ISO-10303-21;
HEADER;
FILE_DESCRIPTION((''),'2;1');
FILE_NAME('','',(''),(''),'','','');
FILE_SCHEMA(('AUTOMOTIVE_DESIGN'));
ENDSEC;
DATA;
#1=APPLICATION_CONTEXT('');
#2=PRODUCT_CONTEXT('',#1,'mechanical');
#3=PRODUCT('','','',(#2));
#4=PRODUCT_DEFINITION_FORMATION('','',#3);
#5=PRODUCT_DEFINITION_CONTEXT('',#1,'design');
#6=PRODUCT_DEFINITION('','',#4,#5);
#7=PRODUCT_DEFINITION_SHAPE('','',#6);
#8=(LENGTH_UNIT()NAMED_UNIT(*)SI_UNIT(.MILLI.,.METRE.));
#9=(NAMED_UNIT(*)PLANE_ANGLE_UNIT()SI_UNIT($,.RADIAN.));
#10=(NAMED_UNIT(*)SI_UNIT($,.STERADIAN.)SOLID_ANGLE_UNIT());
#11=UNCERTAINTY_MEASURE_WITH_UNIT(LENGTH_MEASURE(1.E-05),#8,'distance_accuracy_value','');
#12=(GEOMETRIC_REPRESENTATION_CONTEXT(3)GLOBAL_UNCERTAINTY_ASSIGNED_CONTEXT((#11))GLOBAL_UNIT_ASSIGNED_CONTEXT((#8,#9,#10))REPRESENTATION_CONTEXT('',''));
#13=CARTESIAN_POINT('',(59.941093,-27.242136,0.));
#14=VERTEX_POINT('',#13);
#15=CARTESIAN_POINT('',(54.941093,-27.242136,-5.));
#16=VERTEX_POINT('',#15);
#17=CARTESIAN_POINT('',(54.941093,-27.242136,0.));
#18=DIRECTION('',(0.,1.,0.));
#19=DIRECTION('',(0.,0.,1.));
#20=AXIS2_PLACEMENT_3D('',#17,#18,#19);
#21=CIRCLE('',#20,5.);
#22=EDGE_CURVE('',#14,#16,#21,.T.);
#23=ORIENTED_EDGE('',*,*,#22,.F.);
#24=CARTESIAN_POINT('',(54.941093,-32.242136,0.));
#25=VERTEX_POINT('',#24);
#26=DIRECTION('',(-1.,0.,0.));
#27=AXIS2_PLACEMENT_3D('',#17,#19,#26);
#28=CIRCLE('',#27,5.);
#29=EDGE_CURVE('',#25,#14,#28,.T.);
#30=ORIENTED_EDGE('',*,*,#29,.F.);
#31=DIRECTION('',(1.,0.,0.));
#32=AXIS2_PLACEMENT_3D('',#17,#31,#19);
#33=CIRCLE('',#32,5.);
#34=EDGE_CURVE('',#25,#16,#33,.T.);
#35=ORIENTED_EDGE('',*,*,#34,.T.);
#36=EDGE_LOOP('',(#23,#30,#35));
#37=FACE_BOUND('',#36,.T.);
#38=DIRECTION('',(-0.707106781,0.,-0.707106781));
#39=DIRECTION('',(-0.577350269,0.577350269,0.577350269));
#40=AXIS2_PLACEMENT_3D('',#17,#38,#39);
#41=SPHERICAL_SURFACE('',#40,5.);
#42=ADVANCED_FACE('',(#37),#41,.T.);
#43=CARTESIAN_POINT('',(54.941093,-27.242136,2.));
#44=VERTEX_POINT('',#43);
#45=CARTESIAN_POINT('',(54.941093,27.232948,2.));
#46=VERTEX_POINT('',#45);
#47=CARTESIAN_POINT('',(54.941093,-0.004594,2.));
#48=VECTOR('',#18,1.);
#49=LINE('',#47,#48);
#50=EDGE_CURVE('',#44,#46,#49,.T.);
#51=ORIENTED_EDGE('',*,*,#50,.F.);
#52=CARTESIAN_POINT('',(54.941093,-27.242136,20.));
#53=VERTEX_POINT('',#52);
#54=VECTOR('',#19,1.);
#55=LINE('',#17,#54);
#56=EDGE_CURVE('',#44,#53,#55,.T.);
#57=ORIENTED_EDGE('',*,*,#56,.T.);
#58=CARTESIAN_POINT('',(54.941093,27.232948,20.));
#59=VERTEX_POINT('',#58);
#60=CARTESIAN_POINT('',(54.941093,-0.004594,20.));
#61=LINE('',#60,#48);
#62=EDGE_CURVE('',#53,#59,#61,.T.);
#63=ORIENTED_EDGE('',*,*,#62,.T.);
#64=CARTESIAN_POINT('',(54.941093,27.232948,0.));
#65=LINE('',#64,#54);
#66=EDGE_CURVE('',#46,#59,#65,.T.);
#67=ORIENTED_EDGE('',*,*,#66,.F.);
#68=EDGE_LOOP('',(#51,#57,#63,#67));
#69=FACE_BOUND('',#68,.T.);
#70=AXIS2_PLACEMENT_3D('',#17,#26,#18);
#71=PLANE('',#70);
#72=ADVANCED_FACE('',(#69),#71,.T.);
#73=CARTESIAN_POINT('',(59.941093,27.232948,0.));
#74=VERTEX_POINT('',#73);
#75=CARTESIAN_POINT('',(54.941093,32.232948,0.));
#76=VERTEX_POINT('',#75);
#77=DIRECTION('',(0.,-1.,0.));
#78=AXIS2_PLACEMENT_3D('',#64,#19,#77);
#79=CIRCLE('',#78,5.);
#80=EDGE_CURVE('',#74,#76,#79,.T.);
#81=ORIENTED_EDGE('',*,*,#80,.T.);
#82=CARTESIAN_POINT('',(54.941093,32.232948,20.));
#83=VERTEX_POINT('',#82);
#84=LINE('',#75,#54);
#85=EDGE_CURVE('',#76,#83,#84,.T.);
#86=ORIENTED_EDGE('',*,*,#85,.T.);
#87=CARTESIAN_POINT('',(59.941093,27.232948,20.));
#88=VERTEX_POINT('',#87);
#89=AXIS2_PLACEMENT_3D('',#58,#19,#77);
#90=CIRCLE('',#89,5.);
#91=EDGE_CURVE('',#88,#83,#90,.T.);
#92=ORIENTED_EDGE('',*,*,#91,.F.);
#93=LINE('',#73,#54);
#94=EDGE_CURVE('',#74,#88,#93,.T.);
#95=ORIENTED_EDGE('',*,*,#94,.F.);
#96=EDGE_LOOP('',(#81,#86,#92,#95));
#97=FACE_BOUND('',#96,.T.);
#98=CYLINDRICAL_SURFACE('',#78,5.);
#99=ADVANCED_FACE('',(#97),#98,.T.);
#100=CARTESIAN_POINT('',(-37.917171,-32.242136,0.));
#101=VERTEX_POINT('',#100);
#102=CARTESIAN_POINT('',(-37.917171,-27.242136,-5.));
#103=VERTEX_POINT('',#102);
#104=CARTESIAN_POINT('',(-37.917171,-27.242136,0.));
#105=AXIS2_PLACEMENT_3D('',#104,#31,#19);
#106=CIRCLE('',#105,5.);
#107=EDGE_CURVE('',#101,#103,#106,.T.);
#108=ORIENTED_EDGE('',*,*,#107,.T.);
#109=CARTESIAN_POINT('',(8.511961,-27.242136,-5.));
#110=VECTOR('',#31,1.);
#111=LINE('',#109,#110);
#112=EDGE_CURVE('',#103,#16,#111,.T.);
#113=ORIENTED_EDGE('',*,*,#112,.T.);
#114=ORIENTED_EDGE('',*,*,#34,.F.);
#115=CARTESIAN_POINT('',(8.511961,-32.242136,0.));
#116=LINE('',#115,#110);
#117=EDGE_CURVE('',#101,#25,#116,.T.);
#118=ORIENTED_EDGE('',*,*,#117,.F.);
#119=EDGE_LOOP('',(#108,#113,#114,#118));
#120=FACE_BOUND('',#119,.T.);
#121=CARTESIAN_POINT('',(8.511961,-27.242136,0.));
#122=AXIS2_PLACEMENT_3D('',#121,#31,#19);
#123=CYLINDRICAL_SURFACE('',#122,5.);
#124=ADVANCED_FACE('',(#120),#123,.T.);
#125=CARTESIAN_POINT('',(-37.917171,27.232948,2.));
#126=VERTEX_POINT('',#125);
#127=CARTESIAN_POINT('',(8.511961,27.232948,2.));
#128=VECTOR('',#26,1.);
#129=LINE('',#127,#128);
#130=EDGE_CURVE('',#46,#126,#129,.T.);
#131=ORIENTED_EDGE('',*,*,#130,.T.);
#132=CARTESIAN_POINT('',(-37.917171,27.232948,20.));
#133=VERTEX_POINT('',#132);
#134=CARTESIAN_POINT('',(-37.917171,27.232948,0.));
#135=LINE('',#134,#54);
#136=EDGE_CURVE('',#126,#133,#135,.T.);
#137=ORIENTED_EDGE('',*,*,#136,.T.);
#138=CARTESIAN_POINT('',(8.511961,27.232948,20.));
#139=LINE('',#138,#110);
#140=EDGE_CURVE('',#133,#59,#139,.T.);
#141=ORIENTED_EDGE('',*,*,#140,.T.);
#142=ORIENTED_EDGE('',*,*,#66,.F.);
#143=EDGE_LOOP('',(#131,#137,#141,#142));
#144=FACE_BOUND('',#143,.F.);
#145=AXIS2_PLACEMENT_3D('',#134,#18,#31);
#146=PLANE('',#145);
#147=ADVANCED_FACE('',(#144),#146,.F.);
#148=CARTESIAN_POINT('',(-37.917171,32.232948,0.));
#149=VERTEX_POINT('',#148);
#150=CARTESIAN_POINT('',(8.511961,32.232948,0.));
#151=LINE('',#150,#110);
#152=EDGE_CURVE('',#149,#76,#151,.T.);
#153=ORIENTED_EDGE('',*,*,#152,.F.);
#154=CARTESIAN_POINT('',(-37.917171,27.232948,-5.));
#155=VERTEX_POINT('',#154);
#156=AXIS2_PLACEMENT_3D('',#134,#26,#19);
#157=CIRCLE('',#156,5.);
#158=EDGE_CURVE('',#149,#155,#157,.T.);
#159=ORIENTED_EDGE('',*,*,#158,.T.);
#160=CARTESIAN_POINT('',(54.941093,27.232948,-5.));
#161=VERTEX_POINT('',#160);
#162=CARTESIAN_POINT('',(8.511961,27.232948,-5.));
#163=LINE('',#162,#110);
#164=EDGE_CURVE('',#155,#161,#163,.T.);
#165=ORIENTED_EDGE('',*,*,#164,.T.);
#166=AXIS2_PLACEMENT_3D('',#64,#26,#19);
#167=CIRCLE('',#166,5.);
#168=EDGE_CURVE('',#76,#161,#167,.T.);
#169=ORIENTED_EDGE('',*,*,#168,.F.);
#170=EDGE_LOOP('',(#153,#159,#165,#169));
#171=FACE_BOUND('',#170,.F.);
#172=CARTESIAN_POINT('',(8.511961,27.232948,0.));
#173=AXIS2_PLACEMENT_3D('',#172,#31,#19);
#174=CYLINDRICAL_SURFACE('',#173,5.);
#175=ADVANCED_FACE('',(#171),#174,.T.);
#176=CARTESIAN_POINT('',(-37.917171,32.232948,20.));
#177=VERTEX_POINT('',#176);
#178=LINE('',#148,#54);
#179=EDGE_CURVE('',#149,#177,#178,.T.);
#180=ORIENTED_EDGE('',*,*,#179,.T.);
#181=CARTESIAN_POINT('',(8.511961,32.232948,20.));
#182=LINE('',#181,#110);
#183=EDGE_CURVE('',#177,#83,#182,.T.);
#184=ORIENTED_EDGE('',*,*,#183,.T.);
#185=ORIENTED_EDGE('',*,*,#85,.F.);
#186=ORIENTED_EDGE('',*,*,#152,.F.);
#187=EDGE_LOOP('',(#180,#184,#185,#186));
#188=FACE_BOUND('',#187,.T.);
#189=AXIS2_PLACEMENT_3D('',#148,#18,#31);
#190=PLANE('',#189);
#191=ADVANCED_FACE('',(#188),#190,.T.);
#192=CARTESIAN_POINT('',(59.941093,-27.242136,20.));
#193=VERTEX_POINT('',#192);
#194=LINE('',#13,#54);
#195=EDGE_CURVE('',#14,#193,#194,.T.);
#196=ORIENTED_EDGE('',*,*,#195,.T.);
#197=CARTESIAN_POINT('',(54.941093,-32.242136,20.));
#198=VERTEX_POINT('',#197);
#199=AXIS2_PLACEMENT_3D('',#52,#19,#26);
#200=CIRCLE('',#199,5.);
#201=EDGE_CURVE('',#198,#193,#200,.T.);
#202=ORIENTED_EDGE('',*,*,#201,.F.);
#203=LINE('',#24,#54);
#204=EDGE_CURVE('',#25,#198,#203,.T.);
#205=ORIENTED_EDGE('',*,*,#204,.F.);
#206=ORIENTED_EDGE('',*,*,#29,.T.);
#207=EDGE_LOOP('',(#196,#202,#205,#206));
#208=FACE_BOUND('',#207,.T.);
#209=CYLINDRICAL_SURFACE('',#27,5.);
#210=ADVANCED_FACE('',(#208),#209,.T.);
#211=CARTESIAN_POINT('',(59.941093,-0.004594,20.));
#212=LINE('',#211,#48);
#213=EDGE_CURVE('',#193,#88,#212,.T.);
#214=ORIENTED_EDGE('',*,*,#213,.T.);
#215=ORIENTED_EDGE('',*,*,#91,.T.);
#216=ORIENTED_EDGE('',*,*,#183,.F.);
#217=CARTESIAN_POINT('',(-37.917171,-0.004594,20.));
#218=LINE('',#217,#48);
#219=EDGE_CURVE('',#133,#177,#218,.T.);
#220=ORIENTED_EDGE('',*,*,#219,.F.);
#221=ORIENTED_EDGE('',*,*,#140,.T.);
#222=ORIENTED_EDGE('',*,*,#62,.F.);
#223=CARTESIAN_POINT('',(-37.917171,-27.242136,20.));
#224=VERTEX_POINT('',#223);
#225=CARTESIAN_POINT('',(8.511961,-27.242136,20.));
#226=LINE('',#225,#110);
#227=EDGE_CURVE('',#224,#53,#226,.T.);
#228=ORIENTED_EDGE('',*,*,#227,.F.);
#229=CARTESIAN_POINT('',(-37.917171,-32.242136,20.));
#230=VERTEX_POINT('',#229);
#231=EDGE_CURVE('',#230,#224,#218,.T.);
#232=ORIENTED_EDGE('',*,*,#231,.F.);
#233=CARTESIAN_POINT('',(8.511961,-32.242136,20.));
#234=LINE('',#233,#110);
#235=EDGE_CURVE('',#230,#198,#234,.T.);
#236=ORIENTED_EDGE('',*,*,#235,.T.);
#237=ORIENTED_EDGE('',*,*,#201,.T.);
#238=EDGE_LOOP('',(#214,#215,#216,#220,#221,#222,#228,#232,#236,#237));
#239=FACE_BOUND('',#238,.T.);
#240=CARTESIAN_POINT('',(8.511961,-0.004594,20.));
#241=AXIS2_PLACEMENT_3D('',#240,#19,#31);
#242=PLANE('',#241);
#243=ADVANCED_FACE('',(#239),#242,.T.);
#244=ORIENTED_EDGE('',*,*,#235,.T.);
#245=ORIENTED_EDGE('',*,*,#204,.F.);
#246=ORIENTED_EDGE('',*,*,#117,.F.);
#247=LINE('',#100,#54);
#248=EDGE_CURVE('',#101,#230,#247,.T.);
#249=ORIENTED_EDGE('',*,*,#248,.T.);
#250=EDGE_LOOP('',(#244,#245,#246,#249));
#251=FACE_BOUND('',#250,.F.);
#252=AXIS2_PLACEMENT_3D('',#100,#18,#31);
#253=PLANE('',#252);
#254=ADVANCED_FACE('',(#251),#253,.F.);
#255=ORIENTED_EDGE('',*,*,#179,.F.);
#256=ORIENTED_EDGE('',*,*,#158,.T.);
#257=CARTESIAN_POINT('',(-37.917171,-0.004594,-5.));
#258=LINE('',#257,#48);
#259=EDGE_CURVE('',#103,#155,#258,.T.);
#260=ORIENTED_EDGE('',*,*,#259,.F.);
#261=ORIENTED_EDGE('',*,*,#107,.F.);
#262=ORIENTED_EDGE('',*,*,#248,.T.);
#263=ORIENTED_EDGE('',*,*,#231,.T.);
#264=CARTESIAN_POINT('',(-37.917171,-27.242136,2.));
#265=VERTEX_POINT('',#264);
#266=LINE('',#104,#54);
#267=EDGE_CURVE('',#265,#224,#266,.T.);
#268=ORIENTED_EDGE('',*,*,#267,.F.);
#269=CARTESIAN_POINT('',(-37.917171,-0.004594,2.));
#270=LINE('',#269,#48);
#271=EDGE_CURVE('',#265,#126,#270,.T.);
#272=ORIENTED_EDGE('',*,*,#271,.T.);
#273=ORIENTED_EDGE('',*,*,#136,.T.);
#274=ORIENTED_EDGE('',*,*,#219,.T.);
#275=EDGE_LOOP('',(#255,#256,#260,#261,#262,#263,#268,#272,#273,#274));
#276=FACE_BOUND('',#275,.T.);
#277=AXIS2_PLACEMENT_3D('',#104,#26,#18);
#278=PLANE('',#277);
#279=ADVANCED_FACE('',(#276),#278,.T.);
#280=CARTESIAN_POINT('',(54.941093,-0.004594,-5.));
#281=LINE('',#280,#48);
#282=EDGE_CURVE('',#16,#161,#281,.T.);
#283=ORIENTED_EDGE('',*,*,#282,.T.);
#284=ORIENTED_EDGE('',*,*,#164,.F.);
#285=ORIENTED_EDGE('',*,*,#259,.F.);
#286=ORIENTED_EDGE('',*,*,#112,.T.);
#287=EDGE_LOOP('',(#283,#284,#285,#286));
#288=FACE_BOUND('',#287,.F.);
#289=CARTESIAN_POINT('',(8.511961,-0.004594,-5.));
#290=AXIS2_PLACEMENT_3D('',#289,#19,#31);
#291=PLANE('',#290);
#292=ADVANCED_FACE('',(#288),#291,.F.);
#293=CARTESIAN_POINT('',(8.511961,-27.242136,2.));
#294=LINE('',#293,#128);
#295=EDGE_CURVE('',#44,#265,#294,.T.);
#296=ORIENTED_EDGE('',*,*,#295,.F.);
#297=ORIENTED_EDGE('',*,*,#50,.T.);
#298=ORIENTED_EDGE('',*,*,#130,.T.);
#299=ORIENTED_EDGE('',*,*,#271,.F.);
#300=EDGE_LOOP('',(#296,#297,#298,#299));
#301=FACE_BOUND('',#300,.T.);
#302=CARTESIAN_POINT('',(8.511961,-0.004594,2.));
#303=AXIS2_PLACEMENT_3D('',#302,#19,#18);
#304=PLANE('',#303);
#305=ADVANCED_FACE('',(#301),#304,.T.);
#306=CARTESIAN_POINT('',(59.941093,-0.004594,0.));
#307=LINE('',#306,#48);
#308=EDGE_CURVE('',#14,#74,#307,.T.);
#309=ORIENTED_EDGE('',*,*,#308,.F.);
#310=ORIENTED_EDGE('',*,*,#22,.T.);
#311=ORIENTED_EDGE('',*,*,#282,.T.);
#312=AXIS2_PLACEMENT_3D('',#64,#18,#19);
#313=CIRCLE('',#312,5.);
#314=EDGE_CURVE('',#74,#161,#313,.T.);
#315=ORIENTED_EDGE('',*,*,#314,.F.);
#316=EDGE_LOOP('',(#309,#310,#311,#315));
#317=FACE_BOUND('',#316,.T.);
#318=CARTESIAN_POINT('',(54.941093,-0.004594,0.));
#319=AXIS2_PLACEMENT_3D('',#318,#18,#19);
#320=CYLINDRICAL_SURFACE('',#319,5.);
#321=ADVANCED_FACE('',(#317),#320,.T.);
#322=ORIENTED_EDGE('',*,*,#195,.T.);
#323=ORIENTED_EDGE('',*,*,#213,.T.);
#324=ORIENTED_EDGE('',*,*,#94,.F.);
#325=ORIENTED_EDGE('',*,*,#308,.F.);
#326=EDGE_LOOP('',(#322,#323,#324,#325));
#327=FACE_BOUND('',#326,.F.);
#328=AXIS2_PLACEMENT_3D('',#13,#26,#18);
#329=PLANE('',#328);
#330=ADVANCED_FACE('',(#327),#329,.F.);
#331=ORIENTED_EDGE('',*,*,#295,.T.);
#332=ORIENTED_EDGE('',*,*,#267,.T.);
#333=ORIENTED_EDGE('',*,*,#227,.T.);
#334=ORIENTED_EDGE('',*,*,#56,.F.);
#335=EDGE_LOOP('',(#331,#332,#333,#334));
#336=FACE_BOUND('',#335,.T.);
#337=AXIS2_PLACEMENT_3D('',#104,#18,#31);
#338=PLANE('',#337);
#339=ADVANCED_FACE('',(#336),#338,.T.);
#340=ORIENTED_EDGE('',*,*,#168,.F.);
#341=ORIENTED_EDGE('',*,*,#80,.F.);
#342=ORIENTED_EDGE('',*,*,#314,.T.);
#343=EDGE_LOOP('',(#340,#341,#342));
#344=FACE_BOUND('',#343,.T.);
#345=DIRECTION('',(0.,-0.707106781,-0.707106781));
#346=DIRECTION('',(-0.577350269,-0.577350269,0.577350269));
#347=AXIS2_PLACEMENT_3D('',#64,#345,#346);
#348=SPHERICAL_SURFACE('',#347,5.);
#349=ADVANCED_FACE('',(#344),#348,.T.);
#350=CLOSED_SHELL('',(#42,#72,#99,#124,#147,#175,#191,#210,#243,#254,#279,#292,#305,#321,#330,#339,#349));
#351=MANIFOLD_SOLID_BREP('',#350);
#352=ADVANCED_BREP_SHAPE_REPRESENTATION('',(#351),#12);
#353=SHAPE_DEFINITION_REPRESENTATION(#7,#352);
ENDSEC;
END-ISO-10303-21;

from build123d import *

# Parameters (mm, degrees)
SKETCH_W          = 92.858264
SKETCH_H          = 54.475084
PAD_DEPTH         = 20
THICKNESS_T       = 5
THICKNESS_FACE4_W = 54.475084
THICKNESS_FACE4_H = 92.858264
PAD001_DEPTH      = 2


with BuildPart() as part:
    # Sketch → Pad (new body)
    with BuildSketch(Plane.XY):
        with Locations((8.511961, -0.004594)):
            Rectangle(SKETCH_W, SKETCH_H)
    extrude(amount=PAD_DEPTH)

    # Thickness
    thickness_openings = [part.faces().sort_by_distance(p)[0] for p in [
        (8.511961, -0.004594, 20),
        (-37.917171, -0.004594, 10),
    ]]
    offset(amount=THICKNESS_T, openings=thickness_openings)

    # Thickness Face4 → Pad001 (add)
    with BuildSketch(Plane(origin=(8.511961, -0.004594, 0), x_dir=(0, 1, 0), z_dir=(0, 0, 1))):
        Rectangle(THICKNESS_FACE4_W, THICKNESS_FACE4_H)
    extrude(amount=PAD001_DEPTH)


solid = part.part
